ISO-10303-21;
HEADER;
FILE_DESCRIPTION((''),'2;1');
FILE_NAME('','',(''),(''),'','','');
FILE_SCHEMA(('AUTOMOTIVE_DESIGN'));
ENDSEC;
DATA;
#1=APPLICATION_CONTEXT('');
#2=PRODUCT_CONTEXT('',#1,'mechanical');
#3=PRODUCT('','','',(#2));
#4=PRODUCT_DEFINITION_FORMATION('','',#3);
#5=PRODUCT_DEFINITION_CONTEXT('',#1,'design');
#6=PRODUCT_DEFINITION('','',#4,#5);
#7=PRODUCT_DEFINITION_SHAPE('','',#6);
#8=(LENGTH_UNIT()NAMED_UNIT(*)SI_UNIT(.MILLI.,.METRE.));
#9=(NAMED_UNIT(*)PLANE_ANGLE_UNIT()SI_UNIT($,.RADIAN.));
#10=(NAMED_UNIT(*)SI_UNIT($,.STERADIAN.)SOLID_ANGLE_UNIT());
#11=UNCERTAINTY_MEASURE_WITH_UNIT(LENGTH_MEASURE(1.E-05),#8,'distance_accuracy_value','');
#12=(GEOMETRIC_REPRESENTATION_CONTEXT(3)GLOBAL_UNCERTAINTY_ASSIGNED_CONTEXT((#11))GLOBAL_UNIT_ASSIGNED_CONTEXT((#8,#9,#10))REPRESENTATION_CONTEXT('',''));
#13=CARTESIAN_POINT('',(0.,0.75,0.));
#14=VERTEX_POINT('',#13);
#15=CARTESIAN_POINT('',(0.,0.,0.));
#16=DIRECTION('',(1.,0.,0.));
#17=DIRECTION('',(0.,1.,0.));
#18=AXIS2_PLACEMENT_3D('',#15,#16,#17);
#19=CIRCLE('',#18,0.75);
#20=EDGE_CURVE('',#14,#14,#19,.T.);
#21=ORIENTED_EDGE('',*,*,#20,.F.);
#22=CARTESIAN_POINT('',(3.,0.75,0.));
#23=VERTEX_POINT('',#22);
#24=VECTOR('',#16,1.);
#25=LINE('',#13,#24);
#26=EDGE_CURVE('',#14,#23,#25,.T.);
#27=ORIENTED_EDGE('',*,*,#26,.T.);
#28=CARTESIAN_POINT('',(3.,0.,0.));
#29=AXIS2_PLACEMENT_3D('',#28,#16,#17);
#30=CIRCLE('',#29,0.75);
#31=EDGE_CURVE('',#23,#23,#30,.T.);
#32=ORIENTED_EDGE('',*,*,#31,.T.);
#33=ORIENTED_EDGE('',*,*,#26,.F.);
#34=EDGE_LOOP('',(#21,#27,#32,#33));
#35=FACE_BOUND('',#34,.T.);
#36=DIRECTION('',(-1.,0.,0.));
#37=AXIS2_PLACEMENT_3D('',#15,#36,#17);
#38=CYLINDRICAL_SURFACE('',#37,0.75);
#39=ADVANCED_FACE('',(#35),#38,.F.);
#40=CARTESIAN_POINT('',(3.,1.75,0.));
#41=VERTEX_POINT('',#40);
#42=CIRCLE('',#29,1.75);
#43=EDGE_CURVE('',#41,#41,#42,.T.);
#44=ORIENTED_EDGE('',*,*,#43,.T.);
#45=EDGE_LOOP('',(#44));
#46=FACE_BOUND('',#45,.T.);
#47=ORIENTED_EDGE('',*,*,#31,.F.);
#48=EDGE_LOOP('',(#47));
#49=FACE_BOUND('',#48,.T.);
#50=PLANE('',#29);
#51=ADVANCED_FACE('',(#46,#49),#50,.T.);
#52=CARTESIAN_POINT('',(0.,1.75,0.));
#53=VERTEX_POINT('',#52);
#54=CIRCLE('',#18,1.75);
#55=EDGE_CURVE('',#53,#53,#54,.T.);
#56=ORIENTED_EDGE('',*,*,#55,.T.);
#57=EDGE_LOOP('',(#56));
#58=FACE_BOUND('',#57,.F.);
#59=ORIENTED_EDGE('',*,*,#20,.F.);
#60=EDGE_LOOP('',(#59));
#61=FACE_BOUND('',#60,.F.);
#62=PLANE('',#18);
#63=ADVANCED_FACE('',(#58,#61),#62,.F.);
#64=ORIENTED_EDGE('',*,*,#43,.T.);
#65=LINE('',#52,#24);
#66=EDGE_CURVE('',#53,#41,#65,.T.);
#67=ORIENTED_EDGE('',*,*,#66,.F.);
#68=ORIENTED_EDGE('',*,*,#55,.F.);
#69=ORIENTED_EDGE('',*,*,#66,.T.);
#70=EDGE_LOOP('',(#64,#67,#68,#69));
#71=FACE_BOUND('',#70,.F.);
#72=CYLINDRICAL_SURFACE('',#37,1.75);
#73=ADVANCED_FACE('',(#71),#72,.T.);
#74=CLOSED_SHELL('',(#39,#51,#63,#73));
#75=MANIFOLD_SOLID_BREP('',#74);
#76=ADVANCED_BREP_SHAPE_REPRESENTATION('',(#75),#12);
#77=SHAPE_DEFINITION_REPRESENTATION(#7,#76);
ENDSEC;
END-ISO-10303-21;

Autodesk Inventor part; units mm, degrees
ref_plane "YZ Plane" through (0, 0, 0) normal (1, 0, 0) x (0, 1, 0)
ref_plane "XZ Plane" through (0, 0, 0) normal (0, 1, 0) x (-1, 0, 0)
ref_plane "XY Plane" through (0, 0, 0) normal (0, 0, 1) x (1, 0, 0)
sketch "スケッチ1" plane through (0, 0, 0) normal (1, 0, 0) x (0, 1, 0)
  circle A0 centre (0, 0) radius 1.75
  circle A1 centre (0, 0) radius 0.75
  dimension "d0" = 3.5
  dimension "d1" = 1.5
extrude "押し出し1" add sketch "スケッチ1" along normal blind 3
properties part number "Pinion_9T0.4M"
